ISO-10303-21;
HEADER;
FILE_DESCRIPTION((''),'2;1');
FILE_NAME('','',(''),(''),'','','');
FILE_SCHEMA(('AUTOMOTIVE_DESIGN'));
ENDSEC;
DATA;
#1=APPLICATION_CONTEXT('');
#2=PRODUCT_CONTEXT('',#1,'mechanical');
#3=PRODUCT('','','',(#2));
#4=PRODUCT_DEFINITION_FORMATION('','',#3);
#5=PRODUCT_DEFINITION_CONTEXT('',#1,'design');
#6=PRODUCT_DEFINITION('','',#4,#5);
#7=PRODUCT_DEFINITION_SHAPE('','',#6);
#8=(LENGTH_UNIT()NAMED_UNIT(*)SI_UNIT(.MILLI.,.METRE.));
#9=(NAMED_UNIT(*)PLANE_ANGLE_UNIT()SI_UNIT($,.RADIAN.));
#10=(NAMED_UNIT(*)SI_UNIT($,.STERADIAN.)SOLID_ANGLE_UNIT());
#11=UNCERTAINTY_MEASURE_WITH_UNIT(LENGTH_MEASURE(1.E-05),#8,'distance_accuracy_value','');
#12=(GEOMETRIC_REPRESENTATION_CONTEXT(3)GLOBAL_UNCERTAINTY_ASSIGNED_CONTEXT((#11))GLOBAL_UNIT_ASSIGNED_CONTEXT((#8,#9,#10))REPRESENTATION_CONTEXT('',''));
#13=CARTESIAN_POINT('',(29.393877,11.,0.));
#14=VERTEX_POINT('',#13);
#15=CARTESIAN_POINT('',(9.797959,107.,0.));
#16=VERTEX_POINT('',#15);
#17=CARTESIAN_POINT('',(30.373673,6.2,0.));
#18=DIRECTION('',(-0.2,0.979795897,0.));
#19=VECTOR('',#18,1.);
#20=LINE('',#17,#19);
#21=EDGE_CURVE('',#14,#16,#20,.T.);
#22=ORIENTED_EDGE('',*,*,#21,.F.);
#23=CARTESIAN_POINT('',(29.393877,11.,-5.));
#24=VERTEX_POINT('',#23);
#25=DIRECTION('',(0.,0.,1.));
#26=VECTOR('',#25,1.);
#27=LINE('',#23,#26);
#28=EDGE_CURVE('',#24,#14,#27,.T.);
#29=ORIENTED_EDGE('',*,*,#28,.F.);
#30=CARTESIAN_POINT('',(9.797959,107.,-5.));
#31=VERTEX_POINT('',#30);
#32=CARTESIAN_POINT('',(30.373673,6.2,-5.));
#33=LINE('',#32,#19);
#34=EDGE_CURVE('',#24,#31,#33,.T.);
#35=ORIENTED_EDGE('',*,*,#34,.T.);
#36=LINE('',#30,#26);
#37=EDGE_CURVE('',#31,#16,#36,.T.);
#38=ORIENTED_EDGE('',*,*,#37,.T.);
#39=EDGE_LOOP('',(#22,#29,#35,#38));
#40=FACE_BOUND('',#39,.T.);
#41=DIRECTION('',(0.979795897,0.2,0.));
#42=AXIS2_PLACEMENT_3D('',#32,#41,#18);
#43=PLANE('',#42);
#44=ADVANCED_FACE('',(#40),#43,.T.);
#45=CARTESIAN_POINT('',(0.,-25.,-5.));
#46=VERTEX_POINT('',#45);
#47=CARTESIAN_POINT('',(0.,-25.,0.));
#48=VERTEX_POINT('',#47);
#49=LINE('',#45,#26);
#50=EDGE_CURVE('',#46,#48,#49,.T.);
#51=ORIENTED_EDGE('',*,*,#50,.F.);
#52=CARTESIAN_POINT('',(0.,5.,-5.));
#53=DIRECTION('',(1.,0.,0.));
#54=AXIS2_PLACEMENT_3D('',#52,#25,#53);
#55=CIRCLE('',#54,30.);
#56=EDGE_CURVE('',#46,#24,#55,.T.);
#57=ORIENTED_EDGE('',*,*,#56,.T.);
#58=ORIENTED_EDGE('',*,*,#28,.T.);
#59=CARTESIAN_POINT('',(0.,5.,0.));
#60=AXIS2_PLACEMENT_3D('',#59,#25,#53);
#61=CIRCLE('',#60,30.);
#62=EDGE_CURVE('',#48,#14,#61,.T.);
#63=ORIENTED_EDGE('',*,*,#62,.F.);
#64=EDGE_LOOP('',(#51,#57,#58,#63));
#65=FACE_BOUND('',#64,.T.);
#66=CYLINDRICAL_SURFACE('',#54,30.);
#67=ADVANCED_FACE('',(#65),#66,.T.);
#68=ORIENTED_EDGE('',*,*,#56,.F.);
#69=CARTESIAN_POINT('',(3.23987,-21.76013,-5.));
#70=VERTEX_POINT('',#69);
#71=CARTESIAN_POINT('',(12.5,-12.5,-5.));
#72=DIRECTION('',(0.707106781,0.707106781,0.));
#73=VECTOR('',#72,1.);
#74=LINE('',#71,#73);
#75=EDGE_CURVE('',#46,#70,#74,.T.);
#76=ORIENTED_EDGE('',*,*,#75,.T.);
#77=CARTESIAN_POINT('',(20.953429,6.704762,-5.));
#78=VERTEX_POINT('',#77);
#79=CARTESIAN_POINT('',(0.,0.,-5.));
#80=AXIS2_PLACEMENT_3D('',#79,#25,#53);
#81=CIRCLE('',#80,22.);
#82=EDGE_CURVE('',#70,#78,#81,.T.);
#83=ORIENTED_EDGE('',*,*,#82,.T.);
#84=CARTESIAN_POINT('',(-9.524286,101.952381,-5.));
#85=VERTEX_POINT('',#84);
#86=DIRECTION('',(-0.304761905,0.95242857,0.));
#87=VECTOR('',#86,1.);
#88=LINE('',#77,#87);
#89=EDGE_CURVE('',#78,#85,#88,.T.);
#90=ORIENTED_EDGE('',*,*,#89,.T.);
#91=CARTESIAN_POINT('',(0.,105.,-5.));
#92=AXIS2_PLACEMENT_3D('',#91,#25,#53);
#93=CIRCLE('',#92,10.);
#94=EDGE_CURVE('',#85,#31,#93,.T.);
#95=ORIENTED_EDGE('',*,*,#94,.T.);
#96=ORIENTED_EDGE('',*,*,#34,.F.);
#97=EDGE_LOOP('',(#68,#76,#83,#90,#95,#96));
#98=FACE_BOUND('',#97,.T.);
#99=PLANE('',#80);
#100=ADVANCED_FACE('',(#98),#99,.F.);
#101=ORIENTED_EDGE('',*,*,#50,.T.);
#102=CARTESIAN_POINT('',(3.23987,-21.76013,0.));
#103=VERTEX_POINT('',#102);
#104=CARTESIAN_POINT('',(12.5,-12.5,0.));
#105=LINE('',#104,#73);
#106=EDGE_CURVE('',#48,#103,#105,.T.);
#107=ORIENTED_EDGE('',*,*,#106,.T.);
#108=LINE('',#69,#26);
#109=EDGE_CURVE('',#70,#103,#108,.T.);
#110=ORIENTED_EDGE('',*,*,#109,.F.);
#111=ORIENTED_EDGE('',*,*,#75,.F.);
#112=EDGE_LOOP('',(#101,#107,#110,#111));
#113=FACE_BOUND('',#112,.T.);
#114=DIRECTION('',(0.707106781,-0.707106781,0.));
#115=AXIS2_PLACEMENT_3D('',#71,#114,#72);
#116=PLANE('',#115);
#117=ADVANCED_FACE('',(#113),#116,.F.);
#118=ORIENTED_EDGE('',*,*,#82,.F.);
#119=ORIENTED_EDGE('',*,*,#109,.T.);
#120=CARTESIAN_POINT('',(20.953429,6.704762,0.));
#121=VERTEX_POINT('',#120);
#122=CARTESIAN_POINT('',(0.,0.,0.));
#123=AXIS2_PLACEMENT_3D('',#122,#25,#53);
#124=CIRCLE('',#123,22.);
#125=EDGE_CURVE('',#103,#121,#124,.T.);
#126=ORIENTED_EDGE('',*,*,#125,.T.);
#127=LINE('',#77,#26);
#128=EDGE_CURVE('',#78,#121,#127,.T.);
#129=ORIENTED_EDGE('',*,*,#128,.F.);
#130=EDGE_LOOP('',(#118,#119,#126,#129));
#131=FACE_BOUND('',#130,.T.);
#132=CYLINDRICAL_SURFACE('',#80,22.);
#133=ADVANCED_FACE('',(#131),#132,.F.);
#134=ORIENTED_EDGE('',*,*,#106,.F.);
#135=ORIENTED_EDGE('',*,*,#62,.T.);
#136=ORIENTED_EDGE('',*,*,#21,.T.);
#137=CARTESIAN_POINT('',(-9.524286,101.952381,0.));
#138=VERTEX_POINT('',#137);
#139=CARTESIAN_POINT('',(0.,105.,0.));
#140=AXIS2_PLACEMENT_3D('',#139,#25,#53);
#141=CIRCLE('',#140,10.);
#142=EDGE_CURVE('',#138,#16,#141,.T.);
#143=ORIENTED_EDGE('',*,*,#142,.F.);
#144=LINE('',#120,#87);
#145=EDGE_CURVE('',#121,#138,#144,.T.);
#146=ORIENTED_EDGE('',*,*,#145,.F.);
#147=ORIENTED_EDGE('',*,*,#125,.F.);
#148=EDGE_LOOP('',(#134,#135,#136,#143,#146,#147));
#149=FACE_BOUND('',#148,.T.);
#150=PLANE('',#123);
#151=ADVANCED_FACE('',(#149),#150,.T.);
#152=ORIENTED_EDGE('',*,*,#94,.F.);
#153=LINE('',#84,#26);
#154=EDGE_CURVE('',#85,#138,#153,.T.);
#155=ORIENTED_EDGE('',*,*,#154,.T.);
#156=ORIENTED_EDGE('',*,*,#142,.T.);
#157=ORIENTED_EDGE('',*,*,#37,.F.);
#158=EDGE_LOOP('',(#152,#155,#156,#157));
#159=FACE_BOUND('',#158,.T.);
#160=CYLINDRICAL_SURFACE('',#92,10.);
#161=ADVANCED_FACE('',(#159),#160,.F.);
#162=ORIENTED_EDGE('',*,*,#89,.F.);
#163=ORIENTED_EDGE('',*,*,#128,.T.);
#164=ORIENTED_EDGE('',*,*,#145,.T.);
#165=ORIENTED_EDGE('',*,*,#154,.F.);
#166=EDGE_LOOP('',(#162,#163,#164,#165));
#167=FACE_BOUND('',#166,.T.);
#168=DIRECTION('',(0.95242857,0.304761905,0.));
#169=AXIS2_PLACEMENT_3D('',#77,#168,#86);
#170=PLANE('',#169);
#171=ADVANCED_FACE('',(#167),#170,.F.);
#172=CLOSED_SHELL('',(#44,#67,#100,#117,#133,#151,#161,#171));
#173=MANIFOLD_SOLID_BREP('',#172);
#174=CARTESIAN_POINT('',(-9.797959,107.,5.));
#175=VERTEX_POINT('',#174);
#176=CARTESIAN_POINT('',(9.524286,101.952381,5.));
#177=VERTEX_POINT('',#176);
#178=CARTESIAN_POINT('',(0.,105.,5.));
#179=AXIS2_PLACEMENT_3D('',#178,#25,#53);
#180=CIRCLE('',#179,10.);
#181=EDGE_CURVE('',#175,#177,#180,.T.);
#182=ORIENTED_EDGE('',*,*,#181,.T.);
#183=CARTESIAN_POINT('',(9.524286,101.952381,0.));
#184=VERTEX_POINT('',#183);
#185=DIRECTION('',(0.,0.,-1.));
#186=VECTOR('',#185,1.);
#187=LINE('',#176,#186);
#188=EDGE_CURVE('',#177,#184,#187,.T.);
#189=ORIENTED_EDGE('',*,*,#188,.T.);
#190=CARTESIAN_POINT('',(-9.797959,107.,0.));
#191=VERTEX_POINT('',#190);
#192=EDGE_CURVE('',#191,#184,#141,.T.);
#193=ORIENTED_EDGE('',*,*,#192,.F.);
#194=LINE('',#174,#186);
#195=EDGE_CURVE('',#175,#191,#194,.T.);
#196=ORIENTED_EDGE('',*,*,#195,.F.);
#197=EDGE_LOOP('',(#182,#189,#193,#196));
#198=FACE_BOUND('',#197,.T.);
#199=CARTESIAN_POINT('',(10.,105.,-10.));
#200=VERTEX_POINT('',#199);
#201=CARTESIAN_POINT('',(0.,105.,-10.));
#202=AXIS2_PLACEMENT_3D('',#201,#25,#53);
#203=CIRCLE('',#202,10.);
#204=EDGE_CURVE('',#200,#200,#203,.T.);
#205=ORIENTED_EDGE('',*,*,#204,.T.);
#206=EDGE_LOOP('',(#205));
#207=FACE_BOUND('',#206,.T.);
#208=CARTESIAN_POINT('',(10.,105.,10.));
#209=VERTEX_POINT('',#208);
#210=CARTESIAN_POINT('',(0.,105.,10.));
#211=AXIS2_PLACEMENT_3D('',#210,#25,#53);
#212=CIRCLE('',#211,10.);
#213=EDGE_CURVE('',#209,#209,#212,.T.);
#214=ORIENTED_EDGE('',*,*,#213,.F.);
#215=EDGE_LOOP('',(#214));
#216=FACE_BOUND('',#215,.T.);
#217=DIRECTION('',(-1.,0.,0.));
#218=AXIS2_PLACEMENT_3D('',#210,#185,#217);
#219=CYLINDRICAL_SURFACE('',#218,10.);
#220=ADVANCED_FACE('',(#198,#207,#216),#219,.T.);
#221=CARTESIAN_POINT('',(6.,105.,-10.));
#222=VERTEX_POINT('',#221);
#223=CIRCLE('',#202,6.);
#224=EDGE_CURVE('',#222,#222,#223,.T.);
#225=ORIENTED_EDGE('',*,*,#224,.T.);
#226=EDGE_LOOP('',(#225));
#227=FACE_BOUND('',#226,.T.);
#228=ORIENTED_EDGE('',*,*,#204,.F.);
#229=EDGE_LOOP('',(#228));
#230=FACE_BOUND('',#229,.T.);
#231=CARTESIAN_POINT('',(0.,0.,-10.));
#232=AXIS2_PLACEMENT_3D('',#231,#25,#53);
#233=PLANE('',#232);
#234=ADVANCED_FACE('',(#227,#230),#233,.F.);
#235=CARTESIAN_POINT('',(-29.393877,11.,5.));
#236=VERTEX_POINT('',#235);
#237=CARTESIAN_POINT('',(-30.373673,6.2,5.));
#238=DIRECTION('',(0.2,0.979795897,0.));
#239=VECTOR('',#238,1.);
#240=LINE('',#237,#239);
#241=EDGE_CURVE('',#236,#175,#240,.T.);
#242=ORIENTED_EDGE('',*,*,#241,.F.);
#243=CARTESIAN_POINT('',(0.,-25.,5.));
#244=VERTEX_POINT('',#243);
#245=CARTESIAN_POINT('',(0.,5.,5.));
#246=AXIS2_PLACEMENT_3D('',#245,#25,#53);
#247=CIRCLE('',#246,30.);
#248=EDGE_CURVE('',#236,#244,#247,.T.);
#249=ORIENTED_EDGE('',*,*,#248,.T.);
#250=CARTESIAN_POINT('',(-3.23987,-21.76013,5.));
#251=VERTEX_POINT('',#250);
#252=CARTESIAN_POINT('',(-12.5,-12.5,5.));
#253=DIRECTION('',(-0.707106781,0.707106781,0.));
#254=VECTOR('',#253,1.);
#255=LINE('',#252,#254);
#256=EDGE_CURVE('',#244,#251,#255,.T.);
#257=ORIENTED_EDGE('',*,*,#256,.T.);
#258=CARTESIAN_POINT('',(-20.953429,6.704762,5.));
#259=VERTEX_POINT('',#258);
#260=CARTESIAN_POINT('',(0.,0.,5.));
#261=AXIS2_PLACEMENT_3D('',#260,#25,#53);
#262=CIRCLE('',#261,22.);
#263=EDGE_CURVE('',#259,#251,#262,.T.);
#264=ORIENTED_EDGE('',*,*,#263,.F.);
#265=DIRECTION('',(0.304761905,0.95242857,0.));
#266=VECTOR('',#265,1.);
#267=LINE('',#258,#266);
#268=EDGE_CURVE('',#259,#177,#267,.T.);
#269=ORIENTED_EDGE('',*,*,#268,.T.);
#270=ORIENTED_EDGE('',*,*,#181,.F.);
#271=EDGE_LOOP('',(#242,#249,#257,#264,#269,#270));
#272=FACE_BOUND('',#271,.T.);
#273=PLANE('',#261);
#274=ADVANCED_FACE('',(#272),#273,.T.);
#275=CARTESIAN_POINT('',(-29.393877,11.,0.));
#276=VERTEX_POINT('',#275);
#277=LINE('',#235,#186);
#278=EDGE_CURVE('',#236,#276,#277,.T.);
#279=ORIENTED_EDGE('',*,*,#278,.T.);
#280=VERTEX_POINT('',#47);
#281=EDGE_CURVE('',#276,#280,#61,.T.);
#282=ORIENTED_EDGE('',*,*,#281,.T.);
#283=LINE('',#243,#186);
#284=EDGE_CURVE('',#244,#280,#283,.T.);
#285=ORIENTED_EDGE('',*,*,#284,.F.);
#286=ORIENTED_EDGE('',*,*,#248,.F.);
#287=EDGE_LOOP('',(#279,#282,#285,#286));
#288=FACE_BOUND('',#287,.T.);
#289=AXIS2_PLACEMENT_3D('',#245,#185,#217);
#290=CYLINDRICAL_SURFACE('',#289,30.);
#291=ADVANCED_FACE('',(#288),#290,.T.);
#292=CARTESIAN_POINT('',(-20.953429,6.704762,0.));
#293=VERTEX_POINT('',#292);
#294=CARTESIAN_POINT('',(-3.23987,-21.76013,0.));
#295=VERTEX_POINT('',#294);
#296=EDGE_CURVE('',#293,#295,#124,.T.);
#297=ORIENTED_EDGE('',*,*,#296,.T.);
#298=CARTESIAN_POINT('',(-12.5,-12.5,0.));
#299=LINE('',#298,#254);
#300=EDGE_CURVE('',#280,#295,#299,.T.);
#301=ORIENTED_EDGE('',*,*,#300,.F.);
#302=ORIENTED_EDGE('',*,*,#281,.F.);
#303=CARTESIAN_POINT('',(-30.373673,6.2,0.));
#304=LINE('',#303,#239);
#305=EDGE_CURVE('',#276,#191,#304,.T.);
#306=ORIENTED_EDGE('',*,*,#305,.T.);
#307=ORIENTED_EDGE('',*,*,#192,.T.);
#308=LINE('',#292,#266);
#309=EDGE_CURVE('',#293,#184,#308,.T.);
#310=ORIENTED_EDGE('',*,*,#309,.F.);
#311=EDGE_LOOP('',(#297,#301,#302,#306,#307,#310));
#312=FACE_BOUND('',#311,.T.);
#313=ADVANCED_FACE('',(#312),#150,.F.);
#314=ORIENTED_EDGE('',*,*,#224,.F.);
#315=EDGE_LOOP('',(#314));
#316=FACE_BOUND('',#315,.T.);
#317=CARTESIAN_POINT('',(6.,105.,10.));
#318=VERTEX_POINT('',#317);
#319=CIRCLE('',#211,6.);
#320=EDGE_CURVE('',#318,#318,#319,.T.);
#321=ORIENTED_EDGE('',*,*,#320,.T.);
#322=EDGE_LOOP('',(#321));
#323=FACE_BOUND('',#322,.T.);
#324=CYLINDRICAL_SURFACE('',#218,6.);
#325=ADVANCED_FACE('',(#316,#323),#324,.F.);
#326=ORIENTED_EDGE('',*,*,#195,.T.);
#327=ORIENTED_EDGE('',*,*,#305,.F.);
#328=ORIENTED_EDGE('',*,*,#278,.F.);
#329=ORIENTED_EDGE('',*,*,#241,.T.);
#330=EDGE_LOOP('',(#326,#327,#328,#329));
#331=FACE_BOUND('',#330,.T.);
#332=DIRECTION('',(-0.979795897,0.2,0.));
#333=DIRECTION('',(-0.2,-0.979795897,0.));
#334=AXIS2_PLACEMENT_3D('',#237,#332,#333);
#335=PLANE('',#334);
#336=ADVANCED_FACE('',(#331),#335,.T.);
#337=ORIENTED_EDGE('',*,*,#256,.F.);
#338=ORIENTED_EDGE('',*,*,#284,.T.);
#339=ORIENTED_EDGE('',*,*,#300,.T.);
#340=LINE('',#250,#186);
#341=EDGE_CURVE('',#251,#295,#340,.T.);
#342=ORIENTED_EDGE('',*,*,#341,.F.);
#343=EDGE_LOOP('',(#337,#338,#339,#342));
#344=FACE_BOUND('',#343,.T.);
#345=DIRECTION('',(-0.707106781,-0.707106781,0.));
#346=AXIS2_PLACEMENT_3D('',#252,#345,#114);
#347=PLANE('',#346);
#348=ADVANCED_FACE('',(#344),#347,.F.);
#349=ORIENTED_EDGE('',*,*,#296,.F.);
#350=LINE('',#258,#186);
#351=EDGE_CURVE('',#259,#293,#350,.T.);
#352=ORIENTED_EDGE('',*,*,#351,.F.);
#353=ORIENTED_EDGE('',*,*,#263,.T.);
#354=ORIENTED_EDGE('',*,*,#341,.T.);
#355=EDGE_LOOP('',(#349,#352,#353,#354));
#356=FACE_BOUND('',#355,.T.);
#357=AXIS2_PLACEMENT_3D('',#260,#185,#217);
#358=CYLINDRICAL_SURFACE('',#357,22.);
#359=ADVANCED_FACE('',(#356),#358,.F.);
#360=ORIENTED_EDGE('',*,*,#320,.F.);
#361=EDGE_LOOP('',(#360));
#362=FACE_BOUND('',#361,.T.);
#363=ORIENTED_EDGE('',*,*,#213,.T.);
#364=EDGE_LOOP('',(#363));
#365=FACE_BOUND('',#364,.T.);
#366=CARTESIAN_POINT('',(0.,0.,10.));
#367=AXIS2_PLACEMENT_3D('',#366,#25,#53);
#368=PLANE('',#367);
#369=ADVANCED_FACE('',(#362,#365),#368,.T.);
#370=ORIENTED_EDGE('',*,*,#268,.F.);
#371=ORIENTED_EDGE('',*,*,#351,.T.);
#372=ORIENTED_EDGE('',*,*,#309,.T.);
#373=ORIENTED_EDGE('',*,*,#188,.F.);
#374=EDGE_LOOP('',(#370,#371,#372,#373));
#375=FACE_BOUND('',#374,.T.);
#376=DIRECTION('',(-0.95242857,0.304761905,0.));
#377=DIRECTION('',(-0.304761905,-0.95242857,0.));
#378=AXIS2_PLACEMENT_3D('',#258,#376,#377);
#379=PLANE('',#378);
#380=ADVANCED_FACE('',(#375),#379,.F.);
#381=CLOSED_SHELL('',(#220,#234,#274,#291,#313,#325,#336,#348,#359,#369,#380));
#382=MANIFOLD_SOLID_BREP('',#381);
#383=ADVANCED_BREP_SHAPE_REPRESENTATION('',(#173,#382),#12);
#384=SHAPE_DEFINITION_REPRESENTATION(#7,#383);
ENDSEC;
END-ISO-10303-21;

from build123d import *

# Parameters (mm, degrees)
SKETCH1_R           = 6.0000000000000036
BOSS_EXTRUDE1_DEPTH = 10
BOSS_EXTRUDE2_DEPTH = 5
BOSS_EXTRUDE9_DEPTH = 5


with BuildPart() as part:
    # Sketch1 → Boss-Extrude1 (new, symmetric)
    with BuildSketch(Plane.XY):
        with BuildLine():
            ThreePointArc((9.79795897113271, 107.00000000000001), (6.1e-16, 115.00000000000001), (-9.79795897113271, 107.00000000000001))
            ThreePointArc((-9.79795897113271, 107.00000000000001), (-9.985334211645554, 104.45861226303066), (-9.524285702381544, 101.95238095238096))
            ThreePointArc((-9.524285702381544, 101.95238095238096), (-1.84e-15, 95.00000000000001), (9.524285702381544, 101.95238095238096))
            ThreePointArc((9.524285702381544, 101.95238095238096), (9.880355687519943, 103.45773819080799), (9.999999999999998, 105.00000000000001))
            ThreePointArc((9.999999999999998, 105.00000000000001), (9.949361530051238, 106.00508962005209), (9.79795897113271, 107.00000000000001))
        make_face()
        with Locations((0, 105.00000000000001)):
            Circle(SKETCH1_R, mode=Mode.SUBTRACT)
    extrude(amount=BOSS_EXTRUDE1_DEPTH, both=True)

    # Sketch1<3> → Boss-Extrude2 (add)
    with BuildSketch(Plane.XY):
        with BuildLine():
            Line((-20.9534285452394, 6.704761904761905), (9.524285702381547, 101.95238095238096))
            ThreePointArc((9.524285702381546, 101.95238095238096), (-2.527516325759122, 95.32468805551879), (-9.797958971132713, 107.00000000000001))
            Line((-9.797958971132712, 107.00000000000001), (-29.393876913398135, 10.999999999999998))
            ThreePointArc((-29.393876913398135, 11.000000000000007), (-23.237900077244504, -13.97366596101027), (-5.51e-15, -25))
            Line((0, -24.999999999999996), (-3.2398704112739285, -21.76012958872607))
            ThreePointArc((-3.2398704112739405, -21.760129588726066), (-18.67863593878897, -11.623620755435104), (-20.953428545239426, 6.704761904761907))
        make_face()
    extrude(amount=BOSS_EXTRUDE2_DEPTH)


with BuildPart() as body_2:
    # Sketch1<8> → Boss-Extrude9 (new body)
    with BuildSketch(Plane.XY):
        with BuildLine():
            Line((3.2398704112739285, -21.76012958872607), (0, -24.999999999999996))
            ThreePointArc((0, -25), (23.237900077244504, -13.973665961010276), (29.393876913398135, 11))
            Line((29.393876913398135, 10.999999999999998), (9.797958971132712, 107.00000000000001))
            ThreePointArc((9.79795897113271, 107.00000000000001), (2.5275163257591244, 95.32468805551879), (-9.524285702381546, 101.95238095238096))
            Line((-9.524285702381547, 101.95238095238096), (20.953428545239394, 6.704761904761895))
            ThreePointArc((20.953428545239394, 6.704761904761899), (18.678635938788936, -11.6236207554351), (3.239870411273928, -21.760129588726066))
        make_face()
    extrude(amount=-BOSS_EXTRUDE9_DEPTH)


solid = Compound([part.part, body_2.part])
